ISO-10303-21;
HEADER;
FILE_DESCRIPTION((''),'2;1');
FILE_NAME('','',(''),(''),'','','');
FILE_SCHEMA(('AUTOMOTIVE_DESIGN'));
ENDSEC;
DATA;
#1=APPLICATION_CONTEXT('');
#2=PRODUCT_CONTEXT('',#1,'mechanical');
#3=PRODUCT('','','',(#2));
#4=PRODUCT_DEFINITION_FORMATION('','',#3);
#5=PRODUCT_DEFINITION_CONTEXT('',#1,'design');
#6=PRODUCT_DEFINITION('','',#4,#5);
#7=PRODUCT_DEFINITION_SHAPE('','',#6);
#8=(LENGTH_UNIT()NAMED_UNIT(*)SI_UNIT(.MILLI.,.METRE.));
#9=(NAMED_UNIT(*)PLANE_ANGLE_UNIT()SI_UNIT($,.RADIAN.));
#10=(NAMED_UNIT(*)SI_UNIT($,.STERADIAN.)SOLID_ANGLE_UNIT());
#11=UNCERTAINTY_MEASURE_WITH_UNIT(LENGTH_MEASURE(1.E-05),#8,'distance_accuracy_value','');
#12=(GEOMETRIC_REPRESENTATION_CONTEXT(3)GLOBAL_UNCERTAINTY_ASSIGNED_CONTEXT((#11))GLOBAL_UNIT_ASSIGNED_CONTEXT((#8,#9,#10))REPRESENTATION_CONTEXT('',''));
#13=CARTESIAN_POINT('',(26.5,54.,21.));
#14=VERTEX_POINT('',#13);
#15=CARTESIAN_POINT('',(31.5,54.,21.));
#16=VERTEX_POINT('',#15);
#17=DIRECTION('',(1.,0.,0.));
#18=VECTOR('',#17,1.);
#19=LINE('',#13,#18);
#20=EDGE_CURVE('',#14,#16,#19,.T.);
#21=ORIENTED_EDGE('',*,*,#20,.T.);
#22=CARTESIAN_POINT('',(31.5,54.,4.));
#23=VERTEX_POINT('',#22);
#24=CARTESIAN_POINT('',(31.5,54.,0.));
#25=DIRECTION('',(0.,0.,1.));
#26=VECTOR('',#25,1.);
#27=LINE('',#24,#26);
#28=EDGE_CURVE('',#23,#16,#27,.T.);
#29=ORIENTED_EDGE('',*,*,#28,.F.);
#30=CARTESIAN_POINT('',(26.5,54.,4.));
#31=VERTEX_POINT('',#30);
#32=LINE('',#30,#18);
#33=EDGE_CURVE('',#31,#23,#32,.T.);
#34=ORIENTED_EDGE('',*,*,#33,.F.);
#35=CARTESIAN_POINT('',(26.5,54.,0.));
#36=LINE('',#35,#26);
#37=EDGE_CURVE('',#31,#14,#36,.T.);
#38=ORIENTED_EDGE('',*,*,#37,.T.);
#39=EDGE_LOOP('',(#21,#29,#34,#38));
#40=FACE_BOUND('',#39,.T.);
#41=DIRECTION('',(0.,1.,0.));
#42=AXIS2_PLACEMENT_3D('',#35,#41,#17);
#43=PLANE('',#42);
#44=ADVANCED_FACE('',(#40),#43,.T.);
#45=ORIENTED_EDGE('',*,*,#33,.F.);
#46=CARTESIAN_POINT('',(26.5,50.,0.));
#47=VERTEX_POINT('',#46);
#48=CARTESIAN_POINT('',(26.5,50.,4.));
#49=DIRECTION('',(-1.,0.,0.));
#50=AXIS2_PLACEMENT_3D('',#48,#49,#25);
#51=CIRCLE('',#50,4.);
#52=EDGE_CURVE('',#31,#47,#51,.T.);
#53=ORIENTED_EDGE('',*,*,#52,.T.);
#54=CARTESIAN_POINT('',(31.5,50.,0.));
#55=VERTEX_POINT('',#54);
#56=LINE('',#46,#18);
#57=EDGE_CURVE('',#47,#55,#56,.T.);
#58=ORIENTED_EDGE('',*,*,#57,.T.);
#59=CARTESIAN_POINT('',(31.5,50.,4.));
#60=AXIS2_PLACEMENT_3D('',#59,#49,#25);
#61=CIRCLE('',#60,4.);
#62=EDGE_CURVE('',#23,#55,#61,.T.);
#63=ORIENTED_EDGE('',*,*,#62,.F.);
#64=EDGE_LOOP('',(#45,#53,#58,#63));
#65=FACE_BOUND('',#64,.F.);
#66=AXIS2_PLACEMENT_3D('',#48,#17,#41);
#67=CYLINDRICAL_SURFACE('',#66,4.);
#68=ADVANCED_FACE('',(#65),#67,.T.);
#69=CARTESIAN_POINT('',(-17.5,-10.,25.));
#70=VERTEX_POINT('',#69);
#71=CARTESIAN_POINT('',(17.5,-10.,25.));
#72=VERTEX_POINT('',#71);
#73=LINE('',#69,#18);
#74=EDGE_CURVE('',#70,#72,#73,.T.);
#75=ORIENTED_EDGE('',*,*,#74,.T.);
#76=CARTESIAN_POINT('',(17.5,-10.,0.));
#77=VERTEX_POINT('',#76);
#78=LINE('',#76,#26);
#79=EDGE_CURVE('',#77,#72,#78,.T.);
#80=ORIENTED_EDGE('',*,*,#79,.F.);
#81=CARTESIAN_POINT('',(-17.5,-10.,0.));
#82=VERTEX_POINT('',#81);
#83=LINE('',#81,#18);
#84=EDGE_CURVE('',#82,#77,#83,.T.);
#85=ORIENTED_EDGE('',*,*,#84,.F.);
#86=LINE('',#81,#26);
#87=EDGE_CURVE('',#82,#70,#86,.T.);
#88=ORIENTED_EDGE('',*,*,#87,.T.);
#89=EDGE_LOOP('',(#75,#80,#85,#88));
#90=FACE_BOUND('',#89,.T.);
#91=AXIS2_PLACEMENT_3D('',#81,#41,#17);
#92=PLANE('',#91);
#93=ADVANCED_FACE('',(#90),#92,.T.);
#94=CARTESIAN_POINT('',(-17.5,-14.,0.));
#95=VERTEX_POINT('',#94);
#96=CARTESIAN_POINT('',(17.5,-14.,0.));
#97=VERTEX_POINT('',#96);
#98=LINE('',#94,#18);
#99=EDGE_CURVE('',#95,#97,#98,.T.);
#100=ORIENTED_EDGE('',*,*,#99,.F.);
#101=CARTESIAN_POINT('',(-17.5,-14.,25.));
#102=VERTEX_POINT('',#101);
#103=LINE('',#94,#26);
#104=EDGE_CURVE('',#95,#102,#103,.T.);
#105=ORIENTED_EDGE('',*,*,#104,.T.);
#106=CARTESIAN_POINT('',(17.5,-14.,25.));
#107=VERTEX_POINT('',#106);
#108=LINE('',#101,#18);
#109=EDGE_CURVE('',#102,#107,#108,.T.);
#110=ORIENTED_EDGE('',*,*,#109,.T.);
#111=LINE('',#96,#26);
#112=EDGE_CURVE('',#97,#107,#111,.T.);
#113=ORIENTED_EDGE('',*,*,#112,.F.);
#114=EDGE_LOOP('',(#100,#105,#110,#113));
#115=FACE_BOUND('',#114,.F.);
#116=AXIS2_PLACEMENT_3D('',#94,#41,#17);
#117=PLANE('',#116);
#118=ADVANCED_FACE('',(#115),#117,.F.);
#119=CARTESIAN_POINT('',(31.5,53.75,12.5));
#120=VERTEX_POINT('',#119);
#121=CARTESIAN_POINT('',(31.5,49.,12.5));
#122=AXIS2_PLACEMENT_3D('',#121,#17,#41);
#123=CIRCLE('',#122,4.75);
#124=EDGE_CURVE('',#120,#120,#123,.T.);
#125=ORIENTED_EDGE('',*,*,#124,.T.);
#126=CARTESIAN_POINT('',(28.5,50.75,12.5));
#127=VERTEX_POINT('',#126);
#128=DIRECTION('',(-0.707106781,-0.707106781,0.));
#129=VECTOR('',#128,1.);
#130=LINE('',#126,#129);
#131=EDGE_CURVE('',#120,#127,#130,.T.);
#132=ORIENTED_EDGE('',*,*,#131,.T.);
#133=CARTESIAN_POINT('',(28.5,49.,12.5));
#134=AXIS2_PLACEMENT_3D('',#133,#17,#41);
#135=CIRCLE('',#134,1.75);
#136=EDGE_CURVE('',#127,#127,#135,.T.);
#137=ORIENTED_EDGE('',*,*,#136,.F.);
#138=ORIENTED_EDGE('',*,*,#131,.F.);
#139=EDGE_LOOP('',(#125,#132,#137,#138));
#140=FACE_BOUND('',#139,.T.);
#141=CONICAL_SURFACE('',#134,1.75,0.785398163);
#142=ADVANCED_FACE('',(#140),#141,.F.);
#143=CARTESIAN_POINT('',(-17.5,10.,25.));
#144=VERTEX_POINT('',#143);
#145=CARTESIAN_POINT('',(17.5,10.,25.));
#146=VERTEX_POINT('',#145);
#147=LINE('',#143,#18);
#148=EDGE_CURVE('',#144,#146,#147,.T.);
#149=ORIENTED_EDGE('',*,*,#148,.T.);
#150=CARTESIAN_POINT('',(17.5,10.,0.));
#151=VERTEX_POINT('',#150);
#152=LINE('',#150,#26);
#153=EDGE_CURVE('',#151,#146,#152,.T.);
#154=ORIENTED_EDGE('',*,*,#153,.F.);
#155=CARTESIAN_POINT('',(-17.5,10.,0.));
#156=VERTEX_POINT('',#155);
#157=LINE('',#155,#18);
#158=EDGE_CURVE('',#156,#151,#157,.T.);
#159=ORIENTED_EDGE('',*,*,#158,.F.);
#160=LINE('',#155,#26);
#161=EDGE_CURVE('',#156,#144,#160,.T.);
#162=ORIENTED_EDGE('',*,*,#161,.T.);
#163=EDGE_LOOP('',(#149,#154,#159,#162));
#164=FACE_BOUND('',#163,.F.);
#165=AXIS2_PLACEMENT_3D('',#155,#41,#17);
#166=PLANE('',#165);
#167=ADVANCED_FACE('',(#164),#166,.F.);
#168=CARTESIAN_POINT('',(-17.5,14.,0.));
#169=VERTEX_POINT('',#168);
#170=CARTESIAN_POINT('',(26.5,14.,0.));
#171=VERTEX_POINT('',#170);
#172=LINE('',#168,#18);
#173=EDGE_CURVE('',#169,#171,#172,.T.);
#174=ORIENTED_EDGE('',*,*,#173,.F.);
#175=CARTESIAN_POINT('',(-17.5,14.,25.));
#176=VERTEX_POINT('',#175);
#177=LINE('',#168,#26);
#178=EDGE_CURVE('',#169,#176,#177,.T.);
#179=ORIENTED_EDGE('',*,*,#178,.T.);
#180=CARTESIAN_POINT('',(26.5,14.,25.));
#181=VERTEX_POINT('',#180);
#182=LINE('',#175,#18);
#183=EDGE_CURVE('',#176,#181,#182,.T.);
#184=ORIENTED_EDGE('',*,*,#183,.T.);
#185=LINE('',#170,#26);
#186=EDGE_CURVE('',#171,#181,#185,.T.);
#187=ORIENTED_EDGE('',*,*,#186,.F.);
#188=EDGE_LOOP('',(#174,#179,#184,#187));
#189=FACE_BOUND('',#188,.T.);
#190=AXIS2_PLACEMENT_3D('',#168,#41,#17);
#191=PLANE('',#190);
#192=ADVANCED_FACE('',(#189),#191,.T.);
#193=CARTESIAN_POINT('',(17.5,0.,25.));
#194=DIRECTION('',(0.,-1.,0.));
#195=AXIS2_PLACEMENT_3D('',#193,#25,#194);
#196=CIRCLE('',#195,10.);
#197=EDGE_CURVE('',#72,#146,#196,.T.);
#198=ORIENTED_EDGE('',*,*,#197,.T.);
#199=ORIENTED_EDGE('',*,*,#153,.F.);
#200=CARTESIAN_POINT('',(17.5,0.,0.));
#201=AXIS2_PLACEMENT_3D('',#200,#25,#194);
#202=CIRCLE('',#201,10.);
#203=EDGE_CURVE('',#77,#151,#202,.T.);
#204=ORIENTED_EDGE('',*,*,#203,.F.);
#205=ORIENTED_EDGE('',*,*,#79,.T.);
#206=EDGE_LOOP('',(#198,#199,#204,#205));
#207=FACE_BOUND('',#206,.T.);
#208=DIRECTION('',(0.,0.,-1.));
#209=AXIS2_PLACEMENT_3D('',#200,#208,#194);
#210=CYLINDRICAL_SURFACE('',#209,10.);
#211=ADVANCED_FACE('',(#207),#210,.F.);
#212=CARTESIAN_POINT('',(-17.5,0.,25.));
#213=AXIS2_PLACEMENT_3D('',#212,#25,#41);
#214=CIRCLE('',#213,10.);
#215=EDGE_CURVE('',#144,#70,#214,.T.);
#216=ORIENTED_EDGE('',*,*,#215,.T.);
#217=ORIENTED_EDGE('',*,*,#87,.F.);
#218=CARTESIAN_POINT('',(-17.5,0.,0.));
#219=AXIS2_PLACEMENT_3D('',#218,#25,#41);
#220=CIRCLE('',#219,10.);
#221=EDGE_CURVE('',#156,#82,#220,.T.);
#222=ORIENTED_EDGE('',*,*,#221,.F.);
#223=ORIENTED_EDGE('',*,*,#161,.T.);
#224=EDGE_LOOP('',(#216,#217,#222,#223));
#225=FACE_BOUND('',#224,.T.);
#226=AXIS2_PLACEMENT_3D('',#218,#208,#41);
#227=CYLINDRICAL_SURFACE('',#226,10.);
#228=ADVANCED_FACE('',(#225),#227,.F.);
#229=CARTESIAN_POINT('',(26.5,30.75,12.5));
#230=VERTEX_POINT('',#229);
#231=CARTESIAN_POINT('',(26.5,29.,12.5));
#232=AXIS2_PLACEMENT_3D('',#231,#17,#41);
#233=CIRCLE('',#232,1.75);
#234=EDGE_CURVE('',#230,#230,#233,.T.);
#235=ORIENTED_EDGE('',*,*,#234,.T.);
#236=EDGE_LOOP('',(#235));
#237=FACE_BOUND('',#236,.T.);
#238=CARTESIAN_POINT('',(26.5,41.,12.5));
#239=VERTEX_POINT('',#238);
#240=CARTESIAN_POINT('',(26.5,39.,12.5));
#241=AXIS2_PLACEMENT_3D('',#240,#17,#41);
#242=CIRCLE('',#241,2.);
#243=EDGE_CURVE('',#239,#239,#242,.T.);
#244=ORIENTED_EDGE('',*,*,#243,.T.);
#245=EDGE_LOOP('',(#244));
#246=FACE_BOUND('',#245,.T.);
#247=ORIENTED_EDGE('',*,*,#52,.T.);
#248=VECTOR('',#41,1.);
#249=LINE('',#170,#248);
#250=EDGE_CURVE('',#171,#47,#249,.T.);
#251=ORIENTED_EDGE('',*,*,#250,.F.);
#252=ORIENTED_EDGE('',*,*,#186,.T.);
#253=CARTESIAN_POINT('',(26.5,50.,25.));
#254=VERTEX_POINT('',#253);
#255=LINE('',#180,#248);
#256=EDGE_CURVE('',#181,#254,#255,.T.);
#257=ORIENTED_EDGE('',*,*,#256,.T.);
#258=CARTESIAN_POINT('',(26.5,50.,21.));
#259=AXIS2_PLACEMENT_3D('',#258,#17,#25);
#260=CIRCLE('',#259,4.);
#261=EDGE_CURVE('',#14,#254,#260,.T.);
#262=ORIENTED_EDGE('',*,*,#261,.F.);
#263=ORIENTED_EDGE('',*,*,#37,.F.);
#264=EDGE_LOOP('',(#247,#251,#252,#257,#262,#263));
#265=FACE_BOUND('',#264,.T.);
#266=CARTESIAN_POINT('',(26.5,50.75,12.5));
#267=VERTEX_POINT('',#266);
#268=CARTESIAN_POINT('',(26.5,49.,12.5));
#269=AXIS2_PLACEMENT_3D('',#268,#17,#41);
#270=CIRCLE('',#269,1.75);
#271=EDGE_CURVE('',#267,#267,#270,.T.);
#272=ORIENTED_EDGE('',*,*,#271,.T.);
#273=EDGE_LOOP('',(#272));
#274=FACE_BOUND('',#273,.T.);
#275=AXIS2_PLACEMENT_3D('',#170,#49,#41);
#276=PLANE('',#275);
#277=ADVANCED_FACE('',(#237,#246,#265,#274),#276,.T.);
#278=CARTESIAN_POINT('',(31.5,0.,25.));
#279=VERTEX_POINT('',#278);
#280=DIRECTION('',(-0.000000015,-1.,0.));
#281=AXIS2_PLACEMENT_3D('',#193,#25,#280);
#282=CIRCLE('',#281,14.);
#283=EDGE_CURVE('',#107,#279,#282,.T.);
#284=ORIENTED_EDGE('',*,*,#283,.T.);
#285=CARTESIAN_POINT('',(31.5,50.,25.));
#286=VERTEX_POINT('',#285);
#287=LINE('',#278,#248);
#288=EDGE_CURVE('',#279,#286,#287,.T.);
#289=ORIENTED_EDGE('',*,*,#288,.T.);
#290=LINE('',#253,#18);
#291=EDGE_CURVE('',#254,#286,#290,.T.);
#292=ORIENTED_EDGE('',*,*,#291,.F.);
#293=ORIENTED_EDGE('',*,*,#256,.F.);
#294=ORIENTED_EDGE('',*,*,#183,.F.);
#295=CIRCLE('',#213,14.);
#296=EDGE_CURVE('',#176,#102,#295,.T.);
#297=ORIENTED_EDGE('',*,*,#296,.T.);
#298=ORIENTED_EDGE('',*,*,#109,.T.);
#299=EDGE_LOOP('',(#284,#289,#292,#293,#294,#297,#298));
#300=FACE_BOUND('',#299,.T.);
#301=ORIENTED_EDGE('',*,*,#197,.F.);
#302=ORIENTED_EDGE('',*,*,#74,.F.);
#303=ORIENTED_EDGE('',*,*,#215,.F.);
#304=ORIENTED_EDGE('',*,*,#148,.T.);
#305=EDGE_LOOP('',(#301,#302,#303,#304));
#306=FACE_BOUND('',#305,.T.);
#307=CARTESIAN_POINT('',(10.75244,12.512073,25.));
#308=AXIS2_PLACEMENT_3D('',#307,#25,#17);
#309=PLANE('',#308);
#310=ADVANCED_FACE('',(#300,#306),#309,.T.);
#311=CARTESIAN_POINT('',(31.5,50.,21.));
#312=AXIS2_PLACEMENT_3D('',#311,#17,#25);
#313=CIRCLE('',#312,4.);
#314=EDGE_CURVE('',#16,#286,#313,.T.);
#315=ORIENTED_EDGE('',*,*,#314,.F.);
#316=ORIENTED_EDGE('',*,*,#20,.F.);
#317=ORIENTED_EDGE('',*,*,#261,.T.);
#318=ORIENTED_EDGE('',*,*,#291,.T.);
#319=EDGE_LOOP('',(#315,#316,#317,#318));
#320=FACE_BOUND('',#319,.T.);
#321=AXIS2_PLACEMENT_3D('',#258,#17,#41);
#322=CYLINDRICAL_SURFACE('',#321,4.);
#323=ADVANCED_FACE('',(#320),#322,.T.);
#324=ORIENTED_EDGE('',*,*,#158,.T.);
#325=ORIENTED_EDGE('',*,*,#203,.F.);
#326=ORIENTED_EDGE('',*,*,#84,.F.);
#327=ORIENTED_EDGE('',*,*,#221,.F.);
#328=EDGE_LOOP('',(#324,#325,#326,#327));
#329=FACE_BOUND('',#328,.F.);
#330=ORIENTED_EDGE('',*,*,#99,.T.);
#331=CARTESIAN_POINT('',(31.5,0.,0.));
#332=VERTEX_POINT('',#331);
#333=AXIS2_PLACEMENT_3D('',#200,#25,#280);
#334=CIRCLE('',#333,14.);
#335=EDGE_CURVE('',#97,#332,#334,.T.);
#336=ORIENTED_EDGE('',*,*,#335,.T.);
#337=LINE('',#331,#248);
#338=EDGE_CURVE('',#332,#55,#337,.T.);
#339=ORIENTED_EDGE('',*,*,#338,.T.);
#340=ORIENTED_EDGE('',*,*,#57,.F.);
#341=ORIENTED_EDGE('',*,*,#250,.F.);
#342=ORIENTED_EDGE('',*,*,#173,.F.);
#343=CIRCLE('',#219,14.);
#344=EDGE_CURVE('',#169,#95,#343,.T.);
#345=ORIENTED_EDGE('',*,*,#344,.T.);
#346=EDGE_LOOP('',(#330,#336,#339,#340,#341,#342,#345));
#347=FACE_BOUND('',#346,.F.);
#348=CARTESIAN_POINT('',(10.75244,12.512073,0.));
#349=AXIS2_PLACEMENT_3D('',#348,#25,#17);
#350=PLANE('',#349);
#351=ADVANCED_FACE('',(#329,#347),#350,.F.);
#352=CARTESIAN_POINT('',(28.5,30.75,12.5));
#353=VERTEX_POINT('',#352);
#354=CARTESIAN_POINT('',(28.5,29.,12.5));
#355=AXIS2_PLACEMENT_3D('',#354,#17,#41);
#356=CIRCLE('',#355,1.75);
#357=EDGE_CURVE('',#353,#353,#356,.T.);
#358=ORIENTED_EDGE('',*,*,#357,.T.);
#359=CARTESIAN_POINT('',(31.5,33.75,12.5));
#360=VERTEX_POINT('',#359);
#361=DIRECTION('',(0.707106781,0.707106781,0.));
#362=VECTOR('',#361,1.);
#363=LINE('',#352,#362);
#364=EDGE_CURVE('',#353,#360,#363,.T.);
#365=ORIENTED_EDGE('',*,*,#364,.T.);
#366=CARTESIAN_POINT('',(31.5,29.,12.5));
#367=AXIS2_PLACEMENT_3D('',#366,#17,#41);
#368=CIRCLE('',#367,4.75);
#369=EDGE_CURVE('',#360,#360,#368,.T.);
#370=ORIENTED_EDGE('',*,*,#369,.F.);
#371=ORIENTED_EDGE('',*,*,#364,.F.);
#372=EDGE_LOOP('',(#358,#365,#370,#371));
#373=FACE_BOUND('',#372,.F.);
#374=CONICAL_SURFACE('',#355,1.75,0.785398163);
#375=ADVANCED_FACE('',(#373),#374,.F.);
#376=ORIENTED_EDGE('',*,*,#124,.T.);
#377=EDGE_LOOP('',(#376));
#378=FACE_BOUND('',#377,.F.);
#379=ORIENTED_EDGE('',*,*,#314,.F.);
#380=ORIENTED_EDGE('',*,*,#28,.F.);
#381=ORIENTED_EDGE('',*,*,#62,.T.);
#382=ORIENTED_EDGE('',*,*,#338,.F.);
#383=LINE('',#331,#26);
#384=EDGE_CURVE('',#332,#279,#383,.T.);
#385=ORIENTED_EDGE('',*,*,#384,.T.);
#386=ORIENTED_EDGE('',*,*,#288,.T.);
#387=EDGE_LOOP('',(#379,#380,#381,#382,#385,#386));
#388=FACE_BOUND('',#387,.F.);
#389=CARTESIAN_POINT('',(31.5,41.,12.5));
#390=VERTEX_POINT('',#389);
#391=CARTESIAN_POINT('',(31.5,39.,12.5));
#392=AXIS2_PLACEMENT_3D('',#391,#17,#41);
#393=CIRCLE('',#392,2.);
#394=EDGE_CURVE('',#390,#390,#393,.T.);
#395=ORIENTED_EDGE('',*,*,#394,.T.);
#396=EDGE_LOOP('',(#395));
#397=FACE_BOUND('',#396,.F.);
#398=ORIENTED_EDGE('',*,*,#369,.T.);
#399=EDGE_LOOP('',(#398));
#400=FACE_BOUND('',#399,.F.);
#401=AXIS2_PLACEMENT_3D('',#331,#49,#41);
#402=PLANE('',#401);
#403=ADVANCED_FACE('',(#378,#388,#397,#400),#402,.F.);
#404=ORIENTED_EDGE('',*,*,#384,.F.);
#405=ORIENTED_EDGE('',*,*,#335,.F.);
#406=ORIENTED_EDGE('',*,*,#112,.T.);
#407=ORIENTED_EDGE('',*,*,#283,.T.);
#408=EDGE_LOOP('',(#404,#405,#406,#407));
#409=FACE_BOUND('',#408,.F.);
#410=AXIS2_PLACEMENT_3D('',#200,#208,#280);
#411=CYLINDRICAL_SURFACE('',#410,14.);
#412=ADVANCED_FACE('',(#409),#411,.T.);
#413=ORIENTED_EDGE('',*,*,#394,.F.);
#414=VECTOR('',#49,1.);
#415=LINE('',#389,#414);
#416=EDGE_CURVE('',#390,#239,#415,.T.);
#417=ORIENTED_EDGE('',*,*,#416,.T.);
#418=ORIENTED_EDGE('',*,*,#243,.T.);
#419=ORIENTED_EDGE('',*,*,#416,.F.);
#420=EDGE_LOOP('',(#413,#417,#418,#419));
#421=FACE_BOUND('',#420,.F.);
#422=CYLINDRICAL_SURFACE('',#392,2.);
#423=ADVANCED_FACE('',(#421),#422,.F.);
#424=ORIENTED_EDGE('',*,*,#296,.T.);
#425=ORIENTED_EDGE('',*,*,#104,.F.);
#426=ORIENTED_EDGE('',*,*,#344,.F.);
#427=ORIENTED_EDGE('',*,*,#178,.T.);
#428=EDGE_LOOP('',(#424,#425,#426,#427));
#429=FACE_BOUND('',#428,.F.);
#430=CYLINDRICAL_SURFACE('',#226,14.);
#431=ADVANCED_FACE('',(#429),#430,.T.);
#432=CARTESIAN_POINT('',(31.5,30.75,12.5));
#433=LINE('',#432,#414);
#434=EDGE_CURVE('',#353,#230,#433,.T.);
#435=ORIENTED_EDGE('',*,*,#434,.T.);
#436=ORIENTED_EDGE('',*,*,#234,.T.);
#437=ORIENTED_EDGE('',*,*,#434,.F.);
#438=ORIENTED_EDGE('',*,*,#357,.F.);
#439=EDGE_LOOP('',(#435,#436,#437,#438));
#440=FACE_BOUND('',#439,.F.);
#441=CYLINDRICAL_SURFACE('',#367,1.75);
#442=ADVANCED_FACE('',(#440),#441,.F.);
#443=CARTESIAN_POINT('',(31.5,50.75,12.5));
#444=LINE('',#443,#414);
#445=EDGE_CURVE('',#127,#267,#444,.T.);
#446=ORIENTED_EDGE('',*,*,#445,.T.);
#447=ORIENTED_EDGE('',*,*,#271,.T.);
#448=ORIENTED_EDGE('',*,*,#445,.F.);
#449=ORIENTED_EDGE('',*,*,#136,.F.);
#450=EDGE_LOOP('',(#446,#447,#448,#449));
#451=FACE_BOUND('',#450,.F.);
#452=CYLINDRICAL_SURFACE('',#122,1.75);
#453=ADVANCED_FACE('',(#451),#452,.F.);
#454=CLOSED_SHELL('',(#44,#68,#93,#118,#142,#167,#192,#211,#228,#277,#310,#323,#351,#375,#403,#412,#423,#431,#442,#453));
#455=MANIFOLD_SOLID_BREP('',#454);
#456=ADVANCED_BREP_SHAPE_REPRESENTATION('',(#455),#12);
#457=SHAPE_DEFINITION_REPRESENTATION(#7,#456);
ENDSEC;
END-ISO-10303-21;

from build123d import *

# Parameters (mm, degrees)
PAD_DEPTH       = 25
FILLET_R        = 4
SKETCH001_R     = 2
SKETCH001_R_2   = 1.75
POCKET_DEPTH    = 63.001
CHAMFER_SIZE    = 3
CHAMFER001_SIZE = 3


with BuildPart() as part:
    # Sketch → Pad (new body)
    with BuildSketch(Plane.XY):
        with BuildLine():
            ThreePointArc((-17.5, 14), (-31.5, 0), (-17.5, -14))
            Line((-17.5, -14), (17.5, -14))
            ThreePointArc((17.5, -14), (27.399495, -9.899495), (31.5, 0))
            Line((31.5, 0), (31.5, 54))
            Line((26.5, 54), (31.5, 54))
            Line((26.5, 14), (26.5, 54))
            Line((-17.5, 14), (26.5, 14))
        make_face()
        with BuildLine():
            ThreePointArc((-17.5, 10), (-27.5, 0), (-17.5, -10))
            Line((-17.5, -10), (17.5, -10))
            ThreePointArc((17.5, -10), (27.5, 0), (17.5, 10))
            Line((-17.5, 10), (17.5, 10))
        make_face(mode=Mode.SUBTRACT)
    extrude(amount=PAD_DEPTH)

    # Fillet
    fillet_edges = [part.edges().sort_by_distance(p)[0] for p in [
        (29, 54, 0),
        (29, 54, 25),
    ]]
    fillet(fillet_edges, radius=FILLET_R)

    # Sketch001 (on Face8 of Fillet) → Pocket (cut, through all)
    with BuildSketch(Plane.YZ.offset(31.5)):
        with Locations((39, 12.5)):
            Circle(SKETCH001_R)
        with Locations((49, 12.5)):
            Circle(SKETCH001_R_2)
        with Locations((29, 12.5)):
            Circle(SKETCH001_R_2)
    extrude(amount=-POCKET_DEPTH, mode=Mode.SUBTRACT)

    # Chamfer
    chamfer_edges = [part.edges().sort_by_distance(p)[0] for p in [
        (31.5, 27.25, 12.5),
    ]]
    chamfer(chamfer_edges, length=CHAMFER_SIZE)

    # Chamfer001
    chamfer001_edges = [part.edges().sort_by_distance(p)[0] for p in [
        (31.5, 47.25, 12.5),
    ]]
    chamfer(chamfer001_edges, length=CHAMFER001_SIZE)


solid = part.part
